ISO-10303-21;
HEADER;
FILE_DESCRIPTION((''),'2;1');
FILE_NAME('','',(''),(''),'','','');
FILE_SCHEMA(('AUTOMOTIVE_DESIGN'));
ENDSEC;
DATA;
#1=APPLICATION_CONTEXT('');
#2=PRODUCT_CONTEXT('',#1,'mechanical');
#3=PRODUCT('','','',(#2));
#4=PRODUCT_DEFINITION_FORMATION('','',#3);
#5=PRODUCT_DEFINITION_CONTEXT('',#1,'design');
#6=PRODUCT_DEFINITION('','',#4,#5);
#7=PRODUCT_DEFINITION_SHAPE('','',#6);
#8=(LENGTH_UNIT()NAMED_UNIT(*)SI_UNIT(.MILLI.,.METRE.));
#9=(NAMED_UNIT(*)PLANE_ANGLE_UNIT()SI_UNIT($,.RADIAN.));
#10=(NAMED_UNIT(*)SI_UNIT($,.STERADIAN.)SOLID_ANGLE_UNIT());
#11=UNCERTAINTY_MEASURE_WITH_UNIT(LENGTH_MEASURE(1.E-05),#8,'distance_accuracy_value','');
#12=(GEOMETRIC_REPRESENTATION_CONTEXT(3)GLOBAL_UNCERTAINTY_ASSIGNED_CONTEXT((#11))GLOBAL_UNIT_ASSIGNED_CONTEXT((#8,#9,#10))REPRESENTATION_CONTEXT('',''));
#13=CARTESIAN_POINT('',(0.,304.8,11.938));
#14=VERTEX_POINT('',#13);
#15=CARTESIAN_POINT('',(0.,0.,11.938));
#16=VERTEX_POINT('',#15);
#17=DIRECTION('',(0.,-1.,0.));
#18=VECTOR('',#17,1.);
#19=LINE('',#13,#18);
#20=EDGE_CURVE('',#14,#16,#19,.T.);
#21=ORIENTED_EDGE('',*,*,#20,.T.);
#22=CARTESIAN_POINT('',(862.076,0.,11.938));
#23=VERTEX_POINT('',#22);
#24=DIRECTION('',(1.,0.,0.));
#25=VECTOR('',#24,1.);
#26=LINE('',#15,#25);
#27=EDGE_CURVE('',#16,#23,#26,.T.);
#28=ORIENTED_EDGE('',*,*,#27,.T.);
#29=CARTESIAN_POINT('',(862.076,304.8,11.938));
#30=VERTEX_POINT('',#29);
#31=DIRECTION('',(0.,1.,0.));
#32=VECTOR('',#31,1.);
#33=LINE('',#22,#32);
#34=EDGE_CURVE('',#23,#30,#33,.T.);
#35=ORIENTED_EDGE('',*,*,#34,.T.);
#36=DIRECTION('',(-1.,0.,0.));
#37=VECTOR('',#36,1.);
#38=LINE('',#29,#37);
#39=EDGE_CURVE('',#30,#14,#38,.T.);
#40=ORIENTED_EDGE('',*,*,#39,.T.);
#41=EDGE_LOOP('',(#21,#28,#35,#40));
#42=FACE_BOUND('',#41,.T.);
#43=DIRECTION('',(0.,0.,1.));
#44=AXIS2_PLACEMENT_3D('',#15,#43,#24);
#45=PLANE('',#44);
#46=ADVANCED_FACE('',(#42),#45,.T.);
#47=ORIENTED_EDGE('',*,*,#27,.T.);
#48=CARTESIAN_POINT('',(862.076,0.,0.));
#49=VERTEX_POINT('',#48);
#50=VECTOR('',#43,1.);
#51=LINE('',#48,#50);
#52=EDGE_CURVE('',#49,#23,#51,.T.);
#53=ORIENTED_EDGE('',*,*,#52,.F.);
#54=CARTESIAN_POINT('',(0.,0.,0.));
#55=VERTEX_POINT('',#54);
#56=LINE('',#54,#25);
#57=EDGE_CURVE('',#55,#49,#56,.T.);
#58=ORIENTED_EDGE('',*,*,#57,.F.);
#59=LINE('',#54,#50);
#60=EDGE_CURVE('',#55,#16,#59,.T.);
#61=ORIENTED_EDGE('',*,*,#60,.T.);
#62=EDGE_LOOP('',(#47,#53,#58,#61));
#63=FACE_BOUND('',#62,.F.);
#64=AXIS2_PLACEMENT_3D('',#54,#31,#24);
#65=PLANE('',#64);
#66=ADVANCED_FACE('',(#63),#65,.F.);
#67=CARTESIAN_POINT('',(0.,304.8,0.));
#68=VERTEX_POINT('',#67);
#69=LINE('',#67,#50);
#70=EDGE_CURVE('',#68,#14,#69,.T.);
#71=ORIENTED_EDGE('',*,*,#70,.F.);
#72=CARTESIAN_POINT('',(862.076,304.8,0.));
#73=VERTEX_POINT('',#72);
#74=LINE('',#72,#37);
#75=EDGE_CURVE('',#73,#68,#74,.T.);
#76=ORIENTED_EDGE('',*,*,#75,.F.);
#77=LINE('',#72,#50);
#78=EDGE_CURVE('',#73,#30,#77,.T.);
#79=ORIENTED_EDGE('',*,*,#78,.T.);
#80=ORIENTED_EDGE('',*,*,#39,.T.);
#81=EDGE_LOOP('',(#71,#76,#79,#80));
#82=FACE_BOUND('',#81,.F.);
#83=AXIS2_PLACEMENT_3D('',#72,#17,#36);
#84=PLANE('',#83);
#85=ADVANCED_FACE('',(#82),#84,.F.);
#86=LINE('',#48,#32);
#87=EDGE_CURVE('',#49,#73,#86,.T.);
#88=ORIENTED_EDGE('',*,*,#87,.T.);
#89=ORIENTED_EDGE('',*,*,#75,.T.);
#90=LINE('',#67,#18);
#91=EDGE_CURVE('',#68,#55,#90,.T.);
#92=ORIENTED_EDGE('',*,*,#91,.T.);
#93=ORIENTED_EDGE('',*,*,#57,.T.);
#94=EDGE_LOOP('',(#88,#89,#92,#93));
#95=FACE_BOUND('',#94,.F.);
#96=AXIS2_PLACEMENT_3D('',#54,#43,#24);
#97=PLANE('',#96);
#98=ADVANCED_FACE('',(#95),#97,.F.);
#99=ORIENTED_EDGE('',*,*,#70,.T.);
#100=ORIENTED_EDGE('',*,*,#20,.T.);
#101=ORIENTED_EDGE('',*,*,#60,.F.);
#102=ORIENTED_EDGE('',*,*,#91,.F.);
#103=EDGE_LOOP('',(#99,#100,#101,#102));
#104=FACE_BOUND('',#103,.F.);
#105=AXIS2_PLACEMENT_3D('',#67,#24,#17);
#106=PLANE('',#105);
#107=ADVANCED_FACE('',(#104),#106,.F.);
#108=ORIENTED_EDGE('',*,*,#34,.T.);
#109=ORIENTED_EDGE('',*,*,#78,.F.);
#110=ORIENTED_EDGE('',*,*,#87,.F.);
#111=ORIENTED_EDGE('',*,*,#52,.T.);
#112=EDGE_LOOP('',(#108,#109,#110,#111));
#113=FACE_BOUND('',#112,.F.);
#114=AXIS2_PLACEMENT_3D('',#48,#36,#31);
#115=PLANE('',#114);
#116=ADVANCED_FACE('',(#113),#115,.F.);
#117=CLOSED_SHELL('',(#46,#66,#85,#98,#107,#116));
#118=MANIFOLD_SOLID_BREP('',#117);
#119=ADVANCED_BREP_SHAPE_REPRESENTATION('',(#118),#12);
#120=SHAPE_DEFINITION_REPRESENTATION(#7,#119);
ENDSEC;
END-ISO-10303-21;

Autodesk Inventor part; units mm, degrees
ref_plane "YZ Plane" through (0, 0, 0) normal (1, 0, 0) x (0, 1, 0)
ref_plane "XZ Plane" through (0, 0, 0) normal (0, 1, 0) x (-1, 0, 0)
ref_plane "XY Plane" through (0, 0, 0) normal (0, 0, 1) x (1, 0, 0)
sketch "Sketch1" plane through (0, 0, 0) normal (0, 0, 1) x (1, 0, 0)
  line L0 (0, 0) -> (862.076, 0)
  line L1 (862.076, 0) -> (862.076, 304.8)
  line L2 (862.076, 304.8) -> (0, 304.8)
  line L3 (0, 304.8) -> (0, 0)
  dimension "d0" = 304.8
  dimension "d1" = 862.076
extrude "Extrusion1" add sketch "Sketch1" along normal blind 11.938
properties part number "Wind Tunnel Settling Chamber Top+Bottom As-Built" material "Wood (Oak)"
